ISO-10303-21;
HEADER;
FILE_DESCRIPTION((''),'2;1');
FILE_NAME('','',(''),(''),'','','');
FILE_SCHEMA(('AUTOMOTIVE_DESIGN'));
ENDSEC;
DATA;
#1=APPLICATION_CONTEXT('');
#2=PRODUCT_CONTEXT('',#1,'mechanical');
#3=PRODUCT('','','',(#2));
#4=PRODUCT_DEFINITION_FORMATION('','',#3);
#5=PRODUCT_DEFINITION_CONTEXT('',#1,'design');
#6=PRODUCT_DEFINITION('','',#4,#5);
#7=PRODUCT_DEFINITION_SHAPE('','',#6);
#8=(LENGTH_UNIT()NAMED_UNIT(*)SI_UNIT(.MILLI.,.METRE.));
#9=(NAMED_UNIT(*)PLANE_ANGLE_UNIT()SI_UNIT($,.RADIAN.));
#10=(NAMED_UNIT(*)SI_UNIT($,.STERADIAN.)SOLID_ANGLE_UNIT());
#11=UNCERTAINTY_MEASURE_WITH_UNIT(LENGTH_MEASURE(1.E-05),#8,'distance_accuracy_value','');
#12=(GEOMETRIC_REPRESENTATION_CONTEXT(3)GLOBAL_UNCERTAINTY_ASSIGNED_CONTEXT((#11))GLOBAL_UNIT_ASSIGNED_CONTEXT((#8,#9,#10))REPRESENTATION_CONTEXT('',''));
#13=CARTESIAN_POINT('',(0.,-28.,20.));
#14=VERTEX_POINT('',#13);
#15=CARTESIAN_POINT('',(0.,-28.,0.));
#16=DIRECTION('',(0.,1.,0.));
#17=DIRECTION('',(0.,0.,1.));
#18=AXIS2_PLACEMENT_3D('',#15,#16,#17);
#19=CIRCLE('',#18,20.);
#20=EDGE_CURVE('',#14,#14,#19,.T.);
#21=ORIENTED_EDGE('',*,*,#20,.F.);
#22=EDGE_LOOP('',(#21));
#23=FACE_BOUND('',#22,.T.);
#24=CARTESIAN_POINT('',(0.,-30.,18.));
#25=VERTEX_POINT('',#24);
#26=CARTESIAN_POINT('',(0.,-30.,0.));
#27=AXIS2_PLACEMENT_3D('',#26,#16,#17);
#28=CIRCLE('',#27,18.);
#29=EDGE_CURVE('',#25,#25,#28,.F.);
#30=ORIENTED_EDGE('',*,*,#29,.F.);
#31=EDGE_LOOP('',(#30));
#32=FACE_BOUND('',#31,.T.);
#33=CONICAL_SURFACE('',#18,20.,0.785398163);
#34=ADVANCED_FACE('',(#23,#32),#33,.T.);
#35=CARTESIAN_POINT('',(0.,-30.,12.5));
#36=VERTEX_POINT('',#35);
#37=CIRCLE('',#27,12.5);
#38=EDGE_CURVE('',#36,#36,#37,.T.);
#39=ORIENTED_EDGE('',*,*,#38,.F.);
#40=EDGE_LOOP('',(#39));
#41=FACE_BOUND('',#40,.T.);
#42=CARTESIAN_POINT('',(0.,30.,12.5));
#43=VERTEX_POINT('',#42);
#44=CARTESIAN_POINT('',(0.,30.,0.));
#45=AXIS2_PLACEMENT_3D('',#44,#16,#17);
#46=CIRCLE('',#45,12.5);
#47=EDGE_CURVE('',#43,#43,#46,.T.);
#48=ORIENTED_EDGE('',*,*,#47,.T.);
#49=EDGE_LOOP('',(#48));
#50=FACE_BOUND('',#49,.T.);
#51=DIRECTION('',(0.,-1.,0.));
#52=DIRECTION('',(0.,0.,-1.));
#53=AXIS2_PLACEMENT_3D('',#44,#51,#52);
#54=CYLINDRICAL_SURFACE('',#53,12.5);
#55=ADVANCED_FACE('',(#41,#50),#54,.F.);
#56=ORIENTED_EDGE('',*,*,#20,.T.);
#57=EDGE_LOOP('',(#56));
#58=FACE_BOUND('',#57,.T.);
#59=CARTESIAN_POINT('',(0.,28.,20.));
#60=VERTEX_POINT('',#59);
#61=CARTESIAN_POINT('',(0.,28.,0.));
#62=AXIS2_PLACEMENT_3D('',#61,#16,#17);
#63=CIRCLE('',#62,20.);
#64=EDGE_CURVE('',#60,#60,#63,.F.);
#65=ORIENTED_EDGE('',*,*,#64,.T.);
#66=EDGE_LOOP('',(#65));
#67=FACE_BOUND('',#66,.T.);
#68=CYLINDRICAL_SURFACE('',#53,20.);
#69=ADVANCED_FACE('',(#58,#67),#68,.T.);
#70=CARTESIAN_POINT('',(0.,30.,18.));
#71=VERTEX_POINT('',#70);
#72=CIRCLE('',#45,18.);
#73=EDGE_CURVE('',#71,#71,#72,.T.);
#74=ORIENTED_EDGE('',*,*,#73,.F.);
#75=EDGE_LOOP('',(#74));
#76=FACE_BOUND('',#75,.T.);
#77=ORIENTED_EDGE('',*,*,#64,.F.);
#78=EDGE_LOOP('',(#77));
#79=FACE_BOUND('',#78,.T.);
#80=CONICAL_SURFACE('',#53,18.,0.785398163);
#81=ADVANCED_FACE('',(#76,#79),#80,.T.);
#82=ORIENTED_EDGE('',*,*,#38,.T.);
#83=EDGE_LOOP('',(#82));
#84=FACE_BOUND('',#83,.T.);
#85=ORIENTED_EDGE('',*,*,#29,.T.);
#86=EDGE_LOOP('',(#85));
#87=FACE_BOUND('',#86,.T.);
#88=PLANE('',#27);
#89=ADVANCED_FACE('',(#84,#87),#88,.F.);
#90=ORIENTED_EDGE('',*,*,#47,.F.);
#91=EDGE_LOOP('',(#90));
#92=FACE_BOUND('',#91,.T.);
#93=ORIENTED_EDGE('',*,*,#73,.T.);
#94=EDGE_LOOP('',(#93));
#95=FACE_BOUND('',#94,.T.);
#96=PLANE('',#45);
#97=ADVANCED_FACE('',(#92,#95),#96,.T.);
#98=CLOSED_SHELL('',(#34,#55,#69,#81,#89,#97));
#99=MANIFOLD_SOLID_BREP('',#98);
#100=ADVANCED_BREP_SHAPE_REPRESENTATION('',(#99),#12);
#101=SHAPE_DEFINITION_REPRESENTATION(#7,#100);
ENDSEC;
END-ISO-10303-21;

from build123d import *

# Parameters (mm, degrees)
SKETCH1_R           = 20
SKETCH1_R_2         = 12.5
BOSS_EXTRUDE1_DEPTH = 30
CHAMFER1_SIZE       = 2


with BuildPart() as part:
    # Sketch1 → Boss-Extrude1 (new body, symmetric)
    with BuildSketch(Plane(origin=(0, 0, 0), x_dir=(1, 0, 0), z_dir=(0, 1, 0))):
        Circle(SKETCH1_R)
        Circle(SKETCH1_R_2, mode=Mode.SUBTRACT)
    extrude(amount=BOSS_EXTRUDE1_DEPTH, both=True)

    # Chamfer1
    chamfer1_edges = [part.edges().sort_by_distance(p)[0] for p in [
        (-20, -30, 0),
        (-20, 30, 0),
    ]]
    chamfer(chamfer1_edges, length=CHAMFER1_SIZE)


solid = part.part
